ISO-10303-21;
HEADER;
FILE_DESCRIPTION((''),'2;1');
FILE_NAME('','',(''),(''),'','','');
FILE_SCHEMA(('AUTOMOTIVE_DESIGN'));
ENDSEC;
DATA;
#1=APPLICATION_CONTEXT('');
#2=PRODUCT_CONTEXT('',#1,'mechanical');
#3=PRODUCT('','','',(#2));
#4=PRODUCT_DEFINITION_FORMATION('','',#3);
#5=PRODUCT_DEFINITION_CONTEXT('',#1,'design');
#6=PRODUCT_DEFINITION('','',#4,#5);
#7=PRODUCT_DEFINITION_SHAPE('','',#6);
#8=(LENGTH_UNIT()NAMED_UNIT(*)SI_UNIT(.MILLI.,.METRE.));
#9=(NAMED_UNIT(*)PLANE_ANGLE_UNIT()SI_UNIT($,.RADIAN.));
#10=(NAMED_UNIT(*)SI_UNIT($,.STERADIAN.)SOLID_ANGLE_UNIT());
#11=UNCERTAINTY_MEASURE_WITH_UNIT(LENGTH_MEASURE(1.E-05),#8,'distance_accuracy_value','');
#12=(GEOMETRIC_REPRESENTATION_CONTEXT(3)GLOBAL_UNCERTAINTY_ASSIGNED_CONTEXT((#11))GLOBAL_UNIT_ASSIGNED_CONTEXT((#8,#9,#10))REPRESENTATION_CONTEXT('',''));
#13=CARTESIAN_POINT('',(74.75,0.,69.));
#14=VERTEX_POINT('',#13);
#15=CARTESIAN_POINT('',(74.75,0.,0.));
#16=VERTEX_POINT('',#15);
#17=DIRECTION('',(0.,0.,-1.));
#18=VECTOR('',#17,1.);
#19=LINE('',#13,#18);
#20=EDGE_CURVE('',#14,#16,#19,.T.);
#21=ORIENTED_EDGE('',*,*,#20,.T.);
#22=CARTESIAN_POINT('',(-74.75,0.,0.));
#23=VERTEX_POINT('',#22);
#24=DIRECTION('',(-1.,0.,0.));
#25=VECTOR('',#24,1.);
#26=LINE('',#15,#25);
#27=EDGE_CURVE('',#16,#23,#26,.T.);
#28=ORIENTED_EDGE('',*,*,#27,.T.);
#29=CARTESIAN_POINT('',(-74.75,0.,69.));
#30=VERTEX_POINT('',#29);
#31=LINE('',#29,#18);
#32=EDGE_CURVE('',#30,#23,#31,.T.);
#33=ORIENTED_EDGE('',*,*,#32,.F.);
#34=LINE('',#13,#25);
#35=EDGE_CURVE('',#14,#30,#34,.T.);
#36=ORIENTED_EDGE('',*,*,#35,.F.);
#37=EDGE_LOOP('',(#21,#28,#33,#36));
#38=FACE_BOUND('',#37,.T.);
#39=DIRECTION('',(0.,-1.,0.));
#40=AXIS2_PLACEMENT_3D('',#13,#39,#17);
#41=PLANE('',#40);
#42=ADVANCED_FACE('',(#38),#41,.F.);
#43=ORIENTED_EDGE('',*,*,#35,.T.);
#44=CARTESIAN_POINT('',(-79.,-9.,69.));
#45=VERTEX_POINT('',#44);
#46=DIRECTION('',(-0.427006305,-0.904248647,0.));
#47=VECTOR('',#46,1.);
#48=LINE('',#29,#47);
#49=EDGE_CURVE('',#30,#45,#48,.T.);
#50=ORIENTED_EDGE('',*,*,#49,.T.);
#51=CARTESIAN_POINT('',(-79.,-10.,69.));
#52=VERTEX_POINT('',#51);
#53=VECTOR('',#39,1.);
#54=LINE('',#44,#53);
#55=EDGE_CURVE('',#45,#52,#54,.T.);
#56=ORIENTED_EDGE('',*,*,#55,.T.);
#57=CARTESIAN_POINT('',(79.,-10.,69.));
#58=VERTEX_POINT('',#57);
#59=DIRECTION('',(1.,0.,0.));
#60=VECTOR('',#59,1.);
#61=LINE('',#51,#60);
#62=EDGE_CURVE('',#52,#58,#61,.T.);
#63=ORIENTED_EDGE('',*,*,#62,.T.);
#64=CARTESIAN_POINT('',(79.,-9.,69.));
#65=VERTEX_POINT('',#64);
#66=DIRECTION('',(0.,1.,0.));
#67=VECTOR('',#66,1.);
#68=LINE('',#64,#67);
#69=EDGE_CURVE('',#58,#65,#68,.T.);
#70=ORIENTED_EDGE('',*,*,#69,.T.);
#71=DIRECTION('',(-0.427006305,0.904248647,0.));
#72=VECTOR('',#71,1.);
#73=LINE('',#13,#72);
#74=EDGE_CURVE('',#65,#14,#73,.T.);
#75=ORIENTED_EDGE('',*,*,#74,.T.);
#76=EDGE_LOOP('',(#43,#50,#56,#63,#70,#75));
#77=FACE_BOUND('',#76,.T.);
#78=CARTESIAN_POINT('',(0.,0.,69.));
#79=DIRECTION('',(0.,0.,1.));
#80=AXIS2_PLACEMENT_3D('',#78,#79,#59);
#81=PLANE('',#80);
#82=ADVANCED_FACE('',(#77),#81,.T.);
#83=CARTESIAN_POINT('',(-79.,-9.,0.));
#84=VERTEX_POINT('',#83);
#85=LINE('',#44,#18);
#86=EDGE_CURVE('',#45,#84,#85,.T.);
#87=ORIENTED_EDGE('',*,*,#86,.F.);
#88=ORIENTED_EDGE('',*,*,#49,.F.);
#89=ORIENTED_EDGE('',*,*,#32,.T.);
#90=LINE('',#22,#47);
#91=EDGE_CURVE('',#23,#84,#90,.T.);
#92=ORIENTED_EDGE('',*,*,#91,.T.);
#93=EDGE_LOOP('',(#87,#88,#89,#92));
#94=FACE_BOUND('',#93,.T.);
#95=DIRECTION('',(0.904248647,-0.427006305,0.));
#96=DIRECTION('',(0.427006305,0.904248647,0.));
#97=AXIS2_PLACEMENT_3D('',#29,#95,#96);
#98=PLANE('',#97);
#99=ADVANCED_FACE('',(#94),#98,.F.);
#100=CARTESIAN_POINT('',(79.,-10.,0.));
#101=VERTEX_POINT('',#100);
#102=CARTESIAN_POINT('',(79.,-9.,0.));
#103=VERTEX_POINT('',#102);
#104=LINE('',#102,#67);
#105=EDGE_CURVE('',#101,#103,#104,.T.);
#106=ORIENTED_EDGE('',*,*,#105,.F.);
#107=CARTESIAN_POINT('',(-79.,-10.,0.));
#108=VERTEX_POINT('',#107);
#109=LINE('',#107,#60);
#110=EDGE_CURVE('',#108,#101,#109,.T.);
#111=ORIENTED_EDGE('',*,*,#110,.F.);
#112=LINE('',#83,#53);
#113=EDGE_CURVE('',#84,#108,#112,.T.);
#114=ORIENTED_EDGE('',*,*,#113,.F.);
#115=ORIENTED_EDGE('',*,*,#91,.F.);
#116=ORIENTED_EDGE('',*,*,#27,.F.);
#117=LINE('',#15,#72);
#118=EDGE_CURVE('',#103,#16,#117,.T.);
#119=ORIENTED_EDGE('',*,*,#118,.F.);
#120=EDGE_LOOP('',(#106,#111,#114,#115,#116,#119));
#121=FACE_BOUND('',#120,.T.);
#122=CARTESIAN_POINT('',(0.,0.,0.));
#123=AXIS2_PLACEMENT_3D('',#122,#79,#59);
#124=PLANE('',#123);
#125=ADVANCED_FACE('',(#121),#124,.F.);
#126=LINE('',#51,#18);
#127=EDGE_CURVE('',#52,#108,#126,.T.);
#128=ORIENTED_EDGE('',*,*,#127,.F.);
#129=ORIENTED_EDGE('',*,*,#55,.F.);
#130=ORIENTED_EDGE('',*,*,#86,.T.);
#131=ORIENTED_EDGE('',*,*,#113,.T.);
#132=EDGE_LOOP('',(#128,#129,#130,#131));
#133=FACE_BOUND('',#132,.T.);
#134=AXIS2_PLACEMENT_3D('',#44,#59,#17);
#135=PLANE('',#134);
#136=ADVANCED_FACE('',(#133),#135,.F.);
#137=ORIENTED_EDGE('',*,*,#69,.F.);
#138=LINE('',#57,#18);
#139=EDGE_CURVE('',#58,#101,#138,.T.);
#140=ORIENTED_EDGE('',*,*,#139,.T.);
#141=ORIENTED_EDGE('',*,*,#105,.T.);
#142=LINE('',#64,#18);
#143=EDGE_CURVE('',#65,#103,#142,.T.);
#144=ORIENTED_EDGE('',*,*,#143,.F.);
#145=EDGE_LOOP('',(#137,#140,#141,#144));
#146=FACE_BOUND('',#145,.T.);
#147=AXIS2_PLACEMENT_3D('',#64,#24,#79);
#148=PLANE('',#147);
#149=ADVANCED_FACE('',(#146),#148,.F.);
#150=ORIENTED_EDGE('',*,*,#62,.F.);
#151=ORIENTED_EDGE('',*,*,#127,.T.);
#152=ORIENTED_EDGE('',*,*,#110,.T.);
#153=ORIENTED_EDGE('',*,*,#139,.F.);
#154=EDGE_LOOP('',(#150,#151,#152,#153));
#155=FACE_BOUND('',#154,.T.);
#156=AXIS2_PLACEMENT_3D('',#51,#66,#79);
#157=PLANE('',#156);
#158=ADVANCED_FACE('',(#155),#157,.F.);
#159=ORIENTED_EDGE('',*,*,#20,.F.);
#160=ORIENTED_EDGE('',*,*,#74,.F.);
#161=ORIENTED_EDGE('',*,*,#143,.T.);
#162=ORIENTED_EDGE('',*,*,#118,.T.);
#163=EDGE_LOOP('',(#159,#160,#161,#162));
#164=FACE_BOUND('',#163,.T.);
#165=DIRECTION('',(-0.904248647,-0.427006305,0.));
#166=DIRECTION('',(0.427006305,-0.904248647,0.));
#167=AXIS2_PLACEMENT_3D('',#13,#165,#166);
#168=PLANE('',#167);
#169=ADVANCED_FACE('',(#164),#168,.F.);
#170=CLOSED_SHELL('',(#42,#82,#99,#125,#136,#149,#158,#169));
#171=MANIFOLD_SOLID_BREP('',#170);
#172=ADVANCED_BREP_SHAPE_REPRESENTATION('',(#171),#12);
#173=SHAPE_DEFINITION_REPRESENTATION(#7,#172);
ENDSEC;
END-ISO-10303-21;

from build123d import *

# Parameters (mm, degrees)
EXTRUDE_1_DEPTH = 69


with BuildPart() as part:
    # 草图1 → 凸台-拉伸1 (new body)
    with BuildSketch(Plane.XY):
        Polygon((74.75, 0), (-74.75, 0), (-79, -9), (-79, -10), (79, -10), (79, -9), align=None)
    extrude(amount=EXTRUDE_1_DEPTH)


solid = part.part
